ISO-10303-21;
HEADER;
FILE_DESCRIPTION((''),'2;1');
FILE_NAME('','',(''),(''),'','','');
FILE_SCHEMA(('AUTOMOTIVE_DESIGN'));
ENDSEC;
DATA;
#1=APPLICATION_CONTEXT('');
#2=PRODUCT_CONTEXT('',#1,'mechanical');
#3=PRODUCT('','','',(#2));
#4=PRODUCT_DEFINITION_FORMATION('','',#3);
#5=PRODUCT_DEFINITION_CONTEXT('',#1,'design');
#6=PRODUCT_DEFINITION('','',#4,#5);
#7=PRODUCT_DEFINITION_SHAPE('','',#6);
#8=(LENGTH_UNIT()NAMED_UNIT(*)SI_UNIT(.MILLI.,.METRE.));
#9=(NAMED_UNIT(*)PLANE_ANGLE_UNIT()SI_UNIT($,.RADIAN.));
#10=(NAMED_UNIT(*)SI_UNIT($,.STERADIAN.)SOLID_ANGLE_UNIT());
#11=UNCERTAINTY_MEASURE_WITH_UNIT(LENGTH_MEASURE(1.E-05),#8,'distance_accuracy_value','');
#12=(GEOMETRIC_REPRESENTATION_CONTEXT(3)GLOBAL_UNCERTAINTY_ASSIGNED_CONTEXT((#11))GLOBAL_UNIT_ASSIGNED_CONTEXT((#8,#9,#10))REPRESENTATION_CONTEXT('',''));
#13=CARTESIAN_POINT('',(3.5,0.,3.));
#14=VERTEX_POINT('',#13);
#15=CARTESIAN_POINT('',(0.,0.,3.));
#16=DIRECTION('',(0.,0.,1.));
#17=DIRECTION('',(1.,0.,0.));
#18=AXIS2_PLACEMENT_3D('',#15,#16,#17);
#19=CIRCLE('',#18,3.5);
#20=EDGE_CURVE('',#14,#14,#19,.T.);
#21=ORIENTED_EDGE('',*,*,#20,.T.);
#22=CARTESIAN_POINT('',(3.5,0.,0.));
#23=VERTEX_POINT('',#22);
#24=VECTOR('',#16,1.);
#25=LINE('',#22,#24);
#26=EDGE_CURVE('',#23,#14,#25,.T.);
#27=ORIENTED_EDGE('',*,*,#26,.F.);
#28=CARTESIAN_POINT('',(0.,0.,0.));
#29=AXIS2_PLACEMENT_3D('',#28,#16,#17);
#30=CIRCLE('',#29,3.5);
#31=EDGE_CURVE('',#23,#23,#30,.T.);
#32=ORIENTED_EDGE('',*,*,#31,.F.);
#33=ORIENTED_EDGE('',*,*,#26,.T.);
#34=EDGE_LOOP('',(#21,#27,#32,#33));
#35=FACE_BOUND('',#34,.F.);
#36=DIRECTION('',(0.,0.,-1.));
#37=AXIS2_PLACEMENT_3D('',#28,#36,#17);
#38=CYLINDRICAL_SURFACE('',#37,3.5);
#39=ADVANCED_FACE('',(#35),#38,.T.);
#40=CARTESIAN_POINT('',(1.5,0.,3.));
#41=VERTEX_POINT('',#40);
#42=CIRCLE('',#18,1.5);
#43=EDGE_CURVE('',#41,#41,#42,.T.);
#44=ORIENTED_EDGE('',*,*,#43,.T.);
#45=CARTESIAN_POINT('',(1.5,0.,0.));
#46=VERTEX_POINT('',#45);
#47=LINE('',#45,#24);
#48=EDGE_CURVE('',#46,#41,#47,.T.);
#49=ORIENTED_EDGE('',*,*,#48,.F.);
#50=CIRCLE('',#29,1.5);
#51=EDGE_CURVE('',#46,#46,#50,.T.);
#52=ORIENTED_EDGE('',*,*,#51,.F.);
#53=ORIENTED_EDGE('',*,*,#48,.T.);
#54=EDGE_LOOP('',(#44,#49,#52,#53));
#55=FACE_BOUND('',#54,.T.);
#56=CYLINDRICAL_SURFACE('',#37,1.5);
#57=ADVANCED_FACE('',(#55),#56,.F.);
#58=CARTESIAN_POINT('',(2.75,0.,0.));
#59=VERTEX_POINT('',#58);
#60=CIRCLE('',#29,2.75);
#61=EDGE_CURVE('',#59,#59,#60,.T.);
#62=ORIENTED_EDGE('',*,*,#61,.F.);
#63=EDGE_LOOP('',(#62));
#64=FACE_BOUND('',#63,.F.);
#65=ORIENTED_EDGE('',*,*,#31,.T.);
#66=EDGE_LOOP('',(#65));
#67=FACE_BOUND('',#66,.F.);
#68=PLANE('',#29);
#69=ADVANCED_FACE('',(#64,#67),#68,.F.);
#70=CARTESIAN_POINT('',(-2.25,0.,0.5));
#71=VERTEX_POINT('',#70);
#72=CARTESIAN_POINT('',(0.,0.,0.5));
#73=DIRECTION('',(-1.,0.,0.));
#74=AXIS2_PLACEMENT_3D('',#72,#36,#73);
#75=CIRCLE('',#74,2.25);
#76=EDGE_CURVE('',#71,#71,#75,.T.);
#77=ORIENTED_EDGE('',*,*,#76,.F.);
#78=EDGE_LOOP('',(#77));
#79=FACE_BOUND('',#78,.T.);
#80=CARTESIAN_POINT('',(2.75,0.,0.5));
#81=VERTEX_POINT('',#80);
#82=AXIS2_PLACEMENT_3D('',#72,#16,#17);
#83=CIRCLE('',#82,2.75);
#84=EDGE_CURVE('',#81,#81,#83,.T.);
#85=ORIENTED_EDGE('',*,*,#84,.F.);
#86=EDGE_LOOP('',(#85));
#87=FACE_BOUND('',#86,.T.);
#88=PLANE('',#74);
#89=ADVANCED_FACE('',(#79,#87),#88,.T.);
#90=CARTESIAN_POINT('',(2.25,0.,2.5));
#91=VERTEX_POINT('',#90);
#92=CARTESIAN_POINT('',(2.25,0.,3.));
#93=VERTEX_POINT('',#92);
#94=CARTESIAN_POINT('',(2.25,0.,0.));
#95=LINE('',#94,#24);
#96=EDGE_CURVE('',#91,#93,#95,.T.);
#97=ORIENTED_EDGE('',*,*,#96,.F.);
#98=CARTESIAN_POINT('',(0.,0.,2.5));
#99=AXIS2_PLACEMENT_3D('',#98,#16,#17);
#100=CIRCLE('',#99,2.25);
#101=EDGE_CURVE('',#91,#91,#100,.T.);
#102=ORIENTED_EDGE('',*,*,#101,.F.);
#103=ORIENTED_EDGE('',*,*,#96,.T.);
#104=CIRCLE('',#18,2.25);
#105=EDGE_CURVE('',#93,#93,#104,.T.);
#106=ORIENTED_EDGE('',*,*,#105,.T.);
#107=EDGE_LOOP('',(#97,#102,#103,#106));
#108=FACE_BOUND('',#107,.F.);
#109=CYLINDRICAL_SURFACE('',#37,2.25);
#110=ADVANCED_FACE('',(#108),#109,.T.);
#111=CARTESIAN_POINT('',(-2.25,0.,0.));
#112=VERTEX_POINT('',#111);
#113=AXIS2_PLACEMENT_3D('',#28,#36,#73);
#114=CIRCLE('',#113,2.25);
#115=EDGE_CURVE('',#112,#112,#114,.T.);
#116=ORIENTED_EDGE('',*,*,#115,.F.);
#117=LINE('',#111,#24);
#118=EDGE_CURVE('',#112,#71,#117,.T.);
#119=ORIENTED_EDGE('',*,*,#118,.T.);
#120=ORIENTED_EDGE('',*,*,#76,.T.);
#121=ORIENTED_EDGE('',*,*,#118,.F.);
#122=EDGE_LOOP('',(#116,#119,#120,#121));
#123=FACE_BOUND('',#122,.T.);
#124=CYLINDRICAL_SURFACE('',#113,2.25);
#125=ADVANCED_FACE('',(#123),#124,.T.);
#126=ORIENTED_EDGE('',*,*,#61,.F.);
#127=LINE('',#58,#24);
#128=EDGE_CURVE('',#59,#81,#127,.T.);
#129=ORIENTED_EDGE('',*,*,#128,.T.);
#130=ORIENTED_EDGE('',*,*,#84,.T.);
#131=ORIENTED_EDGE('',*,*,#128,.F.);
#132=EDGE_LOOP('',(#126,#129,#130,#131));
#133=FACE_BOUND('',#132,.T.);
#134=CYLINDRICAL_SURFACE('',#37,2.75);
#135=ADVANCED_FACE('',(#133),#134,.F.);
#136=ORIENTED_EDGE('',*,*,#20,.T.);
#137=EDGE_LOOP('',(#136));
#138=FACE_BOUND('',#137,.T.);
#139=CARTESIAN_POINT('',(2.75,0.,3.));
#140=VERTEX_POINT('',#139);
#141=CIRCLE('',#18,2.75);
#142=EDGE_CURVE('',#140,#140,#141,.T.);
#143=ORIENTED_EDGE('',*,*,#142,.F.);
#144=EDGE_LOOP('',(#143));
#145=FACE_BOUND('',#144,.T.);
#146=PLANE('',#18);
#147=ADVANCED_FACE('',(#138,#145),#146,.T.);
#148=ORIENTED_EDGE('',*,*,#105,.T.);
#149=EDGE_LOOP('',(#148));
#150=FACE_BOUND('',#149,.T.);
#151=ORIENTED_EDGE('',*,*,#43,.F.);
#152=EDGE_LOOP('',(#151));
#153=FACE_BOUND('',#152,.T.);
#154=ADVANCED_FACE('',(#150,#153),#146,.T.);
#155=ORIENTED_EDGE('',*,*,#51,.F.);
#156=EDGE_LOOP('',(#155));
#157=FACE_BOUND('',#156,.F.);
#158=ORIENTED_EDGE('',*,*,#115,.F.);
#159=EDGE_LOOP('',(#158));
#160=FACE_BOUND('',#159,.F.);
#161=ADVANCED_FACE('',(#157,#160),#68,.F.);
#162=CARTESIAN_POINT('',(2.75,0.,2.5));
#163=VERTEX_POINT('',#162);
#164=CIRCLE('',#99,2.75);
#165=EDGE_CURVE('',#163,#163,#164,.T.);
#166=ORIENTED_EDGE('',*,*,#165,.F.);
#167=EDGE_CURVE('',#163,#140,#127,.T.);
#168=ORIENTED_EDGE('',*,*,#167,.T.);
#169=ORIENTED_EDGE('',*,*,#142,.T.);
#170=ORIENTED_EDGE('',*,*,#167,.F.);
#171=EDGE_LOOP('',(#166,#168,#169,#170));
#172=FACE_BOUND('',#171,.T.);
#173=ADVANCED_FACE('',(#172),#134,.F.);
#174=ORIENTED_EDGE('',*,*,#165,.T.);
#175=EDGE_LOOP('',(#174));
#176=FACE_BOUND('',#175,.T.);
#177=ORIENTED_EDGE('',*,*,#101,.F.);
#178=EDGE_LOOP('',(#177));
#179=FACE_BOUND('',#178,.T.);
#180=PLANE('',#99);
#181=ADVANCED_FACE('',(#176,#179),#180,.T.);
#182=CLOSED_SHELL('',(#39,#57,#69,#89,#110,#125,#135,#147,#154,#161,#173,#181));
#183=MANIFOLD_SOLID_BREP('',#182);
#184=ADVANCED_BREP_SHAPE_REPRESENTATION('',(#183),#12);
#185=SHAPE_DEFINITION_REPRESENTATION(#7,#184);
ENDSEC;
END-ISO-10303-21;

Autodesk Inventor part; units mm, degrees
ref_plane "YZ Plane" through (0, 0, 0) normal (1, 0, 0) x (0, 1, 0)
ref_plane "XZ Plane" through (0, 0, 0) normal (0, 1, 0) x (-1, 0, 0)
ref_plane "XY Plane" through (0, 0, 0) normal (0, 0, 1) x (1, 0, 0)
sketch "Sketch1" plane through (0, 0, 0) normal (0, 0, 1) x (1, 0, 0)
  circle A0 centre (0, 0) radius 1.5
  circle A1 centre (0, 0) radius 2.25
  dimension "d0" = 3
  dimension "d2" = 4.5
extrude "Extrusion1" add sketch "Sketch1" along normal blind 3
sketch "Sketch3" plane through (0, 0, 0) normal (0, 0, 1) x (1, 0, 0)
  circle A0 centre (0, 0) radius 2.25
  circle A1 centre (0, 0) radius 2.75
  dimension "d10" = 4.5
  dimension "d11" = 5.5
extrude "Extrusion3" add sketch "Sketch3" along normal blind 2.5
sketch "Sketch4" plane through (0, 0, 0) normal (0, 0, -1) x (-1, 0, 0)
  circle A0 centre (0, 0) radius 2.25
  circle A1 centre (0, 0) radius 2.75
  dimension "d14" = 4.5
  dimension "d15" = 5.5
extrude "Extrusion4" cut sketch "Sketch4" against normal blind 0.5
sketch "Sketch5" plane through (0, 0, 0) normal (0, 0, 1) x (1, 0, 0)
  circle A0 centre (0, 0) radius 2.75
  circle A1 centre (0, 0) radius 3.5
  dimension "d18" = 5.5
  dimension "d19" = 7
extrude "Extrusion5" add sketch "Sketch5" along normal blind 3
properties part number "2P.03.01.00.01.IM.Bearing373" material "Aluminum 6061"
